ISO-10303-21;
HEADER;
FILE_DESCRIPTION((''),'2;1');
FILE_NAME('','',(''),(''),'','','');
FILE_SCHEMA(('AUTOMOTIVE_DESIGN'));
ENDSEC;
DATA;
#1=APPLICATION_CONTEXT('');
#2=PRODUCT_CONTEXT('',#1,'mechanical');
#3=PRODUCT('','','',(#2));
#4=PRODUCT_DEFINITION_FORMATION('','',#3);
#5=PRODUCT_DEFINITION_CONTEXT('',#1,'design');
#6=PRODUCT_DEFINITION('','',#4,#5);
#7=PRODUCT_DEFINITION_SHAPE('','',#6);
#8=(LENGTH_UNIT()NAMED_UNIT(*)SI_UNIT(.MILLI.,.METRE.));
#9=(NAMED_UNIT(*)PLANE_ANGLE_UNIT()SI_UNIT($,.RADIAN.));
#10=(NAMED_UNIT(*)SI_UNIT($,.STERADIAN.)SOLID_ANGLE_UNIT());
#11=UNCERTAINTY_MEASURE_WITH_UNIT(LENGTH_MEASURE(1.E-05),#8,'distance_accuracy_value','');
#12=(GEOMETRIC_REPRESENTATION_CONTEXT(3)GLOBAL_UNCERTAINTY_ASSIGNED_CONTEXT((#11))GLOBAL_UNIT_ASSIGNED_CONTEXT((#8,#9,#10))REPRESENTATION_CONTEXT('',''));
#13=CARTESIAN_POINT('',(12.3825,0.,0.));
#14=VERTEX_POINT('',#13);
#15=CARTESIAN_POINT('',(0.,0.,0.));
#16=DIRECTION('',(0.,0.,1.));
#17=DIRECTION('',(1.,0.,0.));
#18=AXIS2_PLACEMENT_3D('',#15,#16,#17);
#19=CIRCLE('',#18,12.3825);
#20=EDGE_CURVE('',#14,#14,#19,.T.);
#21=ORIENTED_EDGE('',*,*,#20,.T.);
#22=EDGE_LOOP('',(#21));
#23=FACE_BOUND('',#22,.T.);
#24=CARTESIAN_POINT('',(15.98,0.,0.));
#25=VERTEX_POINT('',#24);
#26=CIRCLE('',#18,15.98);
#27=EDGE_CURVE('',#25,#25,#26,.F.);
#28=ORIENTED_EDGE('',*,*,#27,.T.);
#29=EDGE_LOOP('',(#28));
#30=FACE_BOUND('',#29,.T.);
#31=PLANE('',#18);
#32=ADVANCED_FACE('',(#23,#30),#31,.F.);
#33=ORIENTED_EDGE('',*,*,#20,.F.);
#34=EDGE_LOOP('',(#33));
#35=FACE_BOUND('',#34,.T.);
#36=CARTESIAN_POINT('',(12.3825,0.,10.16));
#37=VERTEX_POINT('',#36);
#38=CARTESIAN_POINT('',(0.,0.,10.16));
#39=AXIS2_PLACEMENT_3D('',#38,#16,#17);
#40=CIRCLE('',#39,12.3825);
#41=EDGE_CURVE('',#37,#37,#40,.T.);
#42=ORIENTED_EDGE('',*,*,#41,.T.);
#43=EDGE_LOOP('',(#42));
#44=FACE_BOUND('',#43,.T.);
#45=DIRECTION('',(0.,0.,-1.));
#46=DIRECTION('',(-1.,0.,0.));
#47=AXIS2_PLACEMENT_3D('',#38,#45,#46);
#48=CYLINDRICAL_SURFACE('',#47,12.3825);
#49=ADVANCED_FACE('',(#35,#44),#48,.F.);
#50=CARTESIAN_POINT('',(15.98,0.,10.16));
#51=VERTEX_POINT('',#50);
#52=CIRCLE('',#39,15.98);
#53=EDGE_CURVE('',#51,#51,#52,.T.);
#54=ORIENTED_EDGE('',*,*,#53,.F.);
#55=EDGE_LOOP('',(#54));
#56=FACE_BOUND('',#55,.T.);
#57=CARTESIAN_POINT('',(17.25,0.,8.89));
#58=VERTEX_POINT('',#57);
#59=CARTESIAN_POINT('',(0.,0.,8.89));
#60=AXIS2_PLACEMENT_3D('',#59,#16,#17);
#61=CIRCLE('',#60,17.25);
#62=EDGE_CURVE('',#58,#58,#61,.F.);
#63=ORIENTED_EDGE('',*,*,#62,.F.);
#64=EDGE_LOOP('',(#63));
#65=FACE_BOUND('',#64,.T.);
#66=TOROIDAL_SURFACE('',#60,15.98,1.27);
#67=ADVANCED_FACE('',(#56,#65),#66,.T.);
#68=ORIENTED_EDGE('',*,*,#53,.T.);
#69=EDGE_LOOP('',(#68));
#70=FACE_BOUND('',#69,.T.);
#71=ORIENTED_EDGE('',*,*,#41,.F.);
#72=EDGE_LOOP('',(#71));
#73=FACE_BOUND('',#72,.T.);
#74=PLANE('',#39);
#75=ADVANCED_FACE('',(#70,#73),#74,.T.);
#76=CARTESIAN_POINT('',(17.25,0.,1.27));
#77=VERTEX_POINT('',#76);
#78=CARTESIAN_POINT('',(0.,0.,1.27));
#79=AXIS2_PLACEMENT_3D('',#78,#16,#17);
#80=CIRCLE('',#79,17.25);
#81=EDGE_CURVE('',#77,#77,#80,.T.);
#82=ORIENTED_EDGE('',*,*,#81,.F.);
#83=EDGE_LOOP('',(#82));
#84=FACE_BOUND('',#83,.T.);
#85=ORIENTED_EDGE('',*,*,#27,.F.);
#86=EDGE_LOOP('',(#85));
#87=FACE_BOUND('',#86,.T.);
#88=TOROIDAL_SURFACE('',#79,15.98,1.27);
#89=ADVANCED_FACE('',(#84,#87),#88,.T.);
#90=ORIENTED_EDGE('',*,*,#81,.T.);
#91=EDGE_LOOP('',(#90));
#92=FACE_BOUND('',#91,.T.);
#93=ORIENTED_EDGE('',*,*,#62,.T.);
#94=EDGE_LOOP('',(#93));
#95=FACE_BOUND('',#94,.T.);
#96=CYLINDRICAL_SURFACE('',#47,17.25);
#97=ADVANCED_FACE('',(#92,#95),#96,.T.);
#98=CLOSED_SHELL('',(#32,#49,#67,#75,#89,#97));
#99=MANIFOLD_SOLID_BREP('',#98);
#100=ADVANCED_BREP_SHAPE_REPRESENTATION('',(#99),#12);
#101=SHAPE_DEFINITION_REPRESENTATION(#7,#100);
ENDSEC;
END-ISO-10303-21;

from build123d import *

# Parameters (mm, degrees)
SKETCH1_R           = 17.25
SKETCH1_R_2         = 12.3825
BOSS_EXTRUDE1_DEPTH = 10.16
FILLET1_R           = 1.27


with BuildPart() as part:
    # Sketch1 → Boss-Extrude1 (new body)
    with BuildSketch(Plane.XY):
        Circle(SKETCH1_R)
        Circle(SKETCH1_R_2, mode=Mode.SUBTRACT)
    extrude(amount=BOSS_EXTRUDE1_DEPTH)

    # Fillet1
    fillet1_edges = [part.edges().sort_by_distance(p)[0] for p in [
        (-17.25, 0, 0),
        (-17.25, 0, 10.16),
    ]]
    fillet(fillet1_edges, radius=FILLET1_R)


solid = part.part
